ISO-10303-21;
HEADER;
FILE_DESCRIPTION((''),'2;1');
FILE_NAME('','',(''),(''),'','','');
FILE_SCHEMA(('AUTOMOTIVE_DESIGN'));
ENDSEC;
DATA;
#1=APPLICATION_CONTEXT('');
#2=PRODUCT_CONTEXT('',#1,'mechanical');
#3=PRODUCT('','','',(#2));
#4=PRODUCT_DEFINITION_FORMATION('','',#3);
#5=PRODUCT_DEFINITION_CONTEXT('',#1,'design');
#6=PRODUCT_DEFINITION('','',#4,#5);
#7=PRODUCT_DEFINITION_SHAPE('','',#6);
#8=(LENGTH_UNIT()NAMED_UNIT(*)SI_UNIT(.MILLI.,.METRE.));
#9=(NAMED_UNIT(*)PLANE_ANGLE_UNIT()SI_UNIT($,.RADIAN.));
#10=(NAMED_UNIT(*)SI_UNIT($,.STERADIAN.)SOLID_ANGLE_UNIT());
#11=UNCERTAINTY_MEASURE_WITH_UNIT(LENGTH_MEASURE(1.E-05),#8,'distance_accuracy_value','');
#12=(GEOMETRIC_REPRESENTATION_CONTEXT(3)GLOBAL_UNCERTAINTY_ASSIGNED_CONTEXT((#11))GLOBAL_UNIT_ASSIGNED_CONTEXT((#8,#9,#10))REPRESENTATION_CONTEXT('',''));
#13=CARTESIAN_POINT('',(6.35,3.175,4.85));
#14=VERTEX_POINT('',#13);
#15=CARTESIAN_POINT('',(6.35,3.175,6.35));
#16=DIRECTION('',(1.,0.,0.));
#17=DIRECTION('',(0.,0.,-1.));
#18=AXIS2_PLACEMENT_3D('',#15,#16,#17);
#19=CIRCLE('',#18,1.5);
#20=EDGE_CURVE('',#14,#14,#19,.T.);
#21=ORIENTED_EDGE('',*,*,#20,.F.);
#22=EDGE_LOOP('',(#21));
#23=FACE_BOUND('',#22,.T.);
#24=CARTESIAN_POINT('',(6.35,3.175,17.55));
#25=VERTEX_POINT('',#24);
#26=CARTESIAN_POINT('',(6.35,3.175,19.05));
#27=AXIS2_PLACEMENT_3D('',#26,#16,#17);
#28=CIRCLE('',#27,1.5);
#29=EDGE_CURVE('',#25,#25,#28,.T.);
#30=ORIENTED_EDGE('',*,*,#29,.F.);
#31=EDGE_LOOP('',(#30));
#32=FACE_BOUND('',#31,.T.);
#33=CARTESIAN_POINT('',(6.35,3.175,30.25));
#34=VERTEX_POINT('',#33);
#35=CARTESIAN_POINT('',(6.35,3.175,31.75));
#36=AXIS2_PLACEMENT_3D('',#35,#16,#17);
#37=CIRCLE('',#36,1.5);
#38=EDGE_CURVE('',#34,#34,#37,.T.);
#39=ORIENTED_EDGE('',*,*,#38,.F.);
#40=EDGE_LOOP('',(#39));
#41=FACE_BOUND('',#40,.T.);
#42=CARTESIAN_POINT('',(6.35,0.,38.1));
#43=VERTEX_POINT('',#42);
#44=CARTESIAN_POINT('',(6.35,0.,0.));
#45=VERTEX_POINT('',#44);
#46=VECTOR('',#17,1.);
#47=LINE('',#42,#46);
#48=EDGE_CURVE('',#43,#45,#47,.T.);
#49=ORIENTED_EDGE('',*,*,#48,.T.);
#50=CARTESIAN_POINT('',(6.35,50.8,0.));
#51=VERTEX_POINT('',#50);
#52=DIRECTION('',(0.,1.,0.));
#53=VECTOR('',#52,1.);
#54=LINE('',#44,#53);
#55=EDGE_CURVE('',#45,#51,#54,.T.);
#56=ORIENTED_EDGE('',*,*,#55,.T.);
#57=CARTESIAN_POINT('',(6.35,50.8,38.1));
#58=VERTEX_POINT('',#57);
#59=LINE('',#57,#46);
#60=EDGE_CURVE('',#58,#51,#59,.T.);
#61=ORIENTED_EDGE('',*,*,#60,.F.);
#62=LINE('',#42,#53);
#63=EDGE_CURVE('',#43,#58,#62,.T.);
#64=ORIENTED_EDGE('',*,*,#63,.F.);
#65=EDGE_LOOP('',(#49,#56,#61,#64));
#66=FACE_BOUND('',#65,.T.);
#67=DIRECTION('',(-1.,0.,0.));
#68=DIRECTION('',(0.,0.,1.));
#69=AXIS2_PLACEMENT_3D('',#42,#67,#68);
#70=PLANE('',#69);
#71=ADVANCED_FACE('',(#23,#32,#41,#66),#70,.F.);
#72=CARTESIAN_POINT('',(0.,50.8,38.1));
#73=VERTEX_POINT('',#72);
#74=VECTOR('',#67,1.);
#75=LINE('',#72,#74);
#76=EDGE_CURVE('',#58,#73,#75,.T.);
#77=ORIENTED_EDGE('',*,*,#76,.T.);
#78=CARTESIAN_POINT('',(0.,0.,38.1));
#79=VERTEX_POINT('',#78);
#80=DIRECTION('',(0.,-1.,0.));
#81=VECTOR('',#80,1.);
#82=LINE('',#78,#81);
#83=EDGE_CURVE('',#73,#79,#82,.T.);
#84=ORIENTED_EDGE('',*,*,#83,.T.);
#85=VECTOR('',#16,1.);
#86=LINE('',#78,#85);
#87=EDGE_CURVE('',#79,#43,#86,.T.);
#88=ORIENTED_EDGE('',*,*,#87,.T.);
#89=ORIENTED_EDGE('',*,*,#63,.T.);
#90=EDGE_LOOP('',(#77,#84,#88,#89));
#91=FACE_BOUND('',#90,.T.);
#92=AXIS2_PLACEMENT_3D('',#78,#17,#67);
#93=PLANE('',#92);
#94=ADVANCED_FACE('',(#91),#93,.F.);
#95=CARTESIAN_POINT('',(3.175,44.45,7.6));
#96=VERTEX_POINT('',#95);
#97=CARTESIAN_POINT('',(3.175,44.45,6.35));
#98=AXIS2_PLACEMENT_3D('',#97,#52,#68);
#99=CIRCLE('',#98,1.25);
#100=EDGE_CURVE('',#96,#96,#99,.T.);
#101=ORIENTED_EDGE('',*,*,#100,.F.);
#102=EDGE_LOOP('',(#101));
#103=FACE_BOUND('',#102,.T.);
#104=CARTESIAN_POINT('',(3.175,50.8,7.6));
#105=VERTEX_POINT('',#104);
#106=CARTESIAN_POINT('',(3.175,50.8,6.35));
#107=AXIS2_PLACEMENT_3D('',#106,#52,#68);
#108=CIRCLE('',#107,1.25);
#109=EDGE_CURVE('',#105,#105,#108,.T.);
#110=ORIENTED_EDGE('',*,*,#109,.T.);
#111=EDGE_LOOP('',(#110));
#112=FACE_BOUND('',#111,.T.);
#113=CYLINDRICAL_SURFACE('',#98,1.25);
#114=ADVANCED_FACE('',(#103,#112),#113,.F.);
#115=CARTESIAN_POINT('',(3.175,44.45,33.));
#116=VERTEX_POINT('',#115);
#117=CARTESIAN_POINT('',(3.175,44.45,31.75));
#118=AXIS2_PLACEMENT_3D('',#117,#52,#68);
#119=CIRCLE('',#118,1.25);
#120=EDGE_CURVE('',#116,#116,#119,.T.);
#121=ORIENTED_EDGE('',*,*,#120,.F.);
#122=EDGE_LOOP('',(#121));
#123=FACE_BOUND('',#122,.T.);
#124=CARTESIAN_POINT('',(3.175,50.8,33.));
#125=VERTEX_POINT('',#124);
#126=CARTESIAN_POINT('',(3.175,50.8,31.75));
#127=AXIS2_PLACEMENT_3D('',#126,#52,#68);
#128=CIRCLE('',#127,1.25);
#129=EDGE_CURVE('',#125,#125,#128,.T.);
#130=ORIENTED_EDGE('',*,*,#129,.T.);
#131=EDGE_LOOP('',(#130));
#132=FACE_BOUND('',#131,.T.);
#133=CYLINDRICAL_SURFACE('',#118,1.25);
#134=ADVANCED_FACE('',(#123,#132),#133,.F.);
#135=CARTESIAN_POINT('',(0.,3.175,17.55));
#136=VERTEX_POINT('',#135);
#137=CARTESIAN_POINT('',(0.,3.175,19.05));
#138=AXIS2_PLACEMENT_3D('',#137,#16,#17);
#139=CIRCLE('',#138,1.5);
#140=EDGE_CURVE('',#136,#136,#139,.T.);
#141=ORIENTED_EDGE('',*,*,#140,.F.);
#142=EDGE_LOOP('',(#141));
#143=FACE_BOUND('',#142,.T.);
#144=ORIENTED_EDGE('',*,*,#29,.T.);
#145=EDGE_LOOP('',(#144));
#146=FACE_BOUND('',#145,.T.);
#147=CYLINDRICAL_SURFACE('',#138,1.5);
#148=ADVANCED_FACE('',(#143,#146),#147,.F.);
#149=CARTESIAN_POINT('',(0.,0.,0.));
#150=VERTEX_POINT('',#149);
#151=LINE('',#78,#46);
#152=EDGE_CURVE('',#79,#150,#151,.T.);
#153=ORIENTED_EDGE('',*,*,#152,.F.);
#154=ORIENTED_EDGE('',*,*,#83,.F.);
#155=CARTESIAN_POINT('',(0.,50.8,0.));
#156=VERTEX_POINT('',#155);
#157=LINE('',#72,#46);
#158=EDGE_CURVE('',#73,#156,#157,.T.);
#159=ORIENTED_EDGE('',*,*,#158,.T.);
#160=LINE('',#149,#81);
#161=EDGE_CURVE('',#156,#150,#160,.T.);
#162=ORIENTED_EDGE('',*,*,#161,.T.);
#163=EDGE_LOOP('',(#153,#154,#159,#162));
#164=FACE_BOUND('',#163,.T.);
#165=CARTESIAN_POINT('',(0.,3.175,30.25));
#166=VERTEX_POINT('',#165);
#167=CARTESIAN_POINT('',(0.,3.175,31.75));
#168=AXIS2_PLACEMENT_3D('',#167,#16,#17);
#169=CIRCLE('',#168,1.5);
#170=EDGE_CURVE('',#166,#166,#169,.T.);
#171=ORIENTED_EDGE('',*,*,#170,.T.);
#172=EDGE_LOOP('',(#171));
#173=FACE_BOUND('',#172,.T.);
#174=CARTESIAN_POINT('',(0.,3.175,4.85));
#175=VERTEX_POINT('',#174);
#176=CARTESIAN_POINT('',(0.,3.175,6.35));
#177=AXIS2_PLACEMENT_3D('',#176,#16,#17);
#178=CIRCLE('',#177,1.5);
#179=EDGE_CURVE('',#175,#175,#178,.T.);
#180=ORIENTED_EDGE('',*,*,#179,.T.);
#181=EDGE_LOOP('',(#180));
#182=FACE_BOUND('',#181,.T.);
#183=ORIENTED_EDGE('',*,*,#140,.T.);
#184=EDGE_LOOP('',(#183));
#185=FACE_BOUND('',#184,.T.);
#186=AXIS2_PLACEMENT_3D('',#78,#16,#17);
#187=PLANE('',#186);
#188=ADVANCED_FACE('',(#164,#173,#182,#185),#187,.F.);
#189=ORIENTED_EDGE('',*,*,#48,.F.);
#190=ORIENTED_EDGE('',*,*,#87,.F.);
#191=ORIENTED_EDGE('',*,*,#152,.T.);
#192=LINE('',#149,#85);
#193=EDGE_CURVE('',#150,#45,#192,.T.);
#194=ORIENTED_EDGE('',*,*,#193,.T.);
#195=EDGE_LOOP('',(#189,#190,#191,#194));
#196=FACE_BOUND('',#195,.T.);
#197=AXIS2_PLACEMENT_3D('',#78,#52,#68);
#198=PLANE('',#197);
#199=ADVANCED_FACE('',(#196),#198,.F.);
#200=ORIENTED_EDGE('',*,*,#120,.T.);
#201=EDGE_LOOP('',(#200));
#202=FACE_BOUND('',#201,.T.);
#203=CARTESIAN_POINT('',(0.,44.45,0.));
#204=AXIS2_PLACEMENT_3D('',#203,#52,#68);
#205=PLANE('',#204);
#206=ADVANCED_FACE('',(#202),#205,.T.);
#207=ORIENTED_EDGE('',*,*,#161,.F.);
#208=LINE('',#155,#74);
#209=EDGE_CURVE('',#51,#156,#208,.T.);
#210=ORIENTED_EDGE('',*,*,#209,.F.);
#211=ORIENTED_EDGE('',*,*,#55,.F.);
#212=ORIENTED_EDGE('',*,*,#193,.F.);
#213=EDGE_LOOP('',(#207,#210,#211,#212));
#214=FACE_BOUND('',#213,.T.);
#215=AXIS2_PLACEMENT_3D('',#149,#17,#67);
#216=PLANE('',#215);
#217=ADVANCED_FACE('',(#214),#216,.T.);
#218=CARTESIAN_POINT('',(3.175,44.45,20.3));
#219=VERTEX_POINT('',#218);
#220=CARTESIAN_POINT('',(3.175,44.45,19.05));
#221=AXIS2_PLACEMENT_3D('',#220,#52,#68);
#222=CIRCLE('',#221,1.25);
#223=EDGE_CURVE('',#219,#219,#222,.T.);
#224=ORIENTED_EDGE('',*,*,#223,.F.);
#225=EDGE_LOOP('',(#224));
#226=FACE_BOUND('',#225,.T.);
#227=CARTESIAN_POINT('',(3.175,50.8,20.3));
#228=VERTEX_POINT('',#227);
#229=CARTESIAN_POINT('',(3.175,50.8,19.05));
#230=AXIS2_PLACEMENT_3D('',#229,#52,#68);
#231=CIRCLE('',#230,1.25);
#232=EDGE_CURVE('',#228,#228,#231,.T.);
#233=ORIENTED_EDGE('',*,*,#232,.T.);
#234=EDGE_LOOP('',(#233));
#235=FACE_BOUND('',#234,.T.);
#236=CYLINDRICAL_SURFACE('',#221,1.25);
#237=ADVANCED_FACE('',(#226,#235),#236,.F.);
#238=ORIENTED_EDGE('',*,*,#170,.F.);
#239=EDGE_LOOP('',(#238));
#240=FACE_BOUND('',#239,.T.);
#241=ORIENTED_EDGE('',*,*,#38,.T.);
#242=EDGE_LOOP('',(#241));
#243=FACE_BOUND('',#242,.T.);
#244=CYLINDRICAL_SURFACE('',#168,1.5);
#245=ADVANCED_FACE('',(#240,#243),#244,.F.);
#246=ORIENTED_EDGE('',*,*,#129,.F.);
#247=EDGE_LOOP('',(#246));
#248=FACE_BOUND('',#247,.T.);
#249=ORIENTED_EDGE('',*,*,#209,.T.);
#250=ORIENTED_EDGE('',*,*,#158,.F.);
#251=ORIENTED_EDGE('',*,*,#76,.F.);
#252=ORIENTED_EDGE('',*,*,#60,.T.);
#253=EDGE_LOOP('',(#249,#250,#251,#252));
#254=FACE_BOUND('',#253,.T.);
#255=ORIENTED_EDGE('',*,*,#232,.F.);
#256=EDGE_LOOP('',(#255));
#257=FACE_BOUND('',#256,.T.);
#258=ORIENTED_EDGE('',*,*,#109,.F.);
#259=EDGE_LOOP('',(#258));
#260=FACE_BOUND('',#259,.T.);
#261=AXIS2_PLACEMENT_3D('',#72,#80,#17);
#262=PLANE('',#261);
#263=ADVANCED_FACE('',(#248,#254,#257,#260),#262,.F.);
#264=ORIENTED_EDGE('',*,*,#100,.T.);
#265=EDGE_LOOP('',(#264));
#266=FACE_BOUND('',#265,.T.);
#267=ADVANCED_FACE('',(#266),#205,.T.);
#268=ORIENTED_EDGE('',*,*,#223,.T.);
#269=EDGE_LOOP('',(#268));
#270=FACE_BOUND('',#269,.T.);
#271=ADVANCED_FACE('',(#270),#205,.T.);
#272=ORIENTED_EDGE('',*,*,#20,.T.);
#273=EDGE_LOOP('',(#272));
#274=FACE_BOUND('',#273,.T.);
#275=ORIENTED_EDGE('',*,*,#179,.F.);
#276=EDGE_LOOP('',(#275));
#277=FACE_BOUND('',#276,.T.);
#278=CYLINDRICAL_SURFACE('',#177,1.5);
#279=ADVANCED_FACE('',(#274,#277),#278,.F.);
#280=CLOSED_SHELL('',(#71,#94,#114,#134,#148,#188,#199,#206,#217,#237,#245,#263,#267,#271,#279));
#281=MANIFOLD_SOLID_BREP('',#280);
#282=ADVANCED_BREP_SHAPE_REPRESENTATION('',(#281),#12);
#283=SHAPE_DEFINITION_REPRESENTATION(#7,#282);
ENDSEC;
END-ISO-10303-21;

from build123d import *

# Parameters (mm, degrees)
SKETCH1_W           = 6.35
SKETCH1_H           = 50.8
BOSS_EXTRUDE1_DEPTH = 38.1
CUT_EXTRUDE1_DEPTH  = 6.35
CUT_EXTRUDE2_DEPTH  = 6.35


with BuildPart() as part:
    # Sketch1 → Boss-Extrude1 (new body)
    with BuildSketch(Plane.XY):
        with Locations((3.175, 25.4)):
            Rectangle(SKETCH1_W, SKETCH1_H)
    extrude(amount=BOSS_EXTRUDE1_DEPTH)

    # Sketch2 → Cut-Extrude1 (cut)
    with BuildSketch(Plane(origin=(6.35, 0, 0), x_dir=(0, 0, -1), z_dir=(1, 0, 0))):
        with BuildLine():
            ThreePointArc((-7.85, 3.175), (-6.35, 1.675), (-4.85, 3.175))
            Line((-4.85, 3.175), (-6.35, 3.175))
            Line((-6.35, 3.175), (-7.85, 3.175))
        make_face()
        with BuildLine():
            Line((-6.35, 3.175), (-4.85, 3.175))
            ThreePointArc((-4.85, 3.175), (-6.35, 4.675), (-7.85, 3.175))
            Line((-7.85, 3.175), (-6.35, 3.175))
        make_face()
        with BuildLine():
            ThreePointArc((-17.55, 3.175), (-19.05, 4.675), (-20.55, 3.175))
            Line((-20.55, 3.175), (-17.55, 3.175))
        make_face()
        with BuildLine():
            Line((-17.55, 3.175), (-20.55, 3.175))
            ThreePointArc((-20.55, 3.175), (-19.05, 1.675), (-17.55, 3.175))
        make_face()
        with BuildLine():
            ThreePointArc((-30.25, 3.175), (-31.75, 4.675), (-33.25, 3.175))
            Line((-33.25, 3.175), (-31.75, 3.175))
            Line((-31.75, 3.175), (-30.25, 3.175))
        make_face()
        with BuildLine():
            Line((-31.75, 3.175), (-33.25, 3.175))
            ThreePointArc((-33.25, 3.175), (-31.75, 1.675), (-30.25, 3.175))
            Line((-30.25, 3.175), (-31.75, 3.175))
        make_face()
    extrude(amount=-CUT_EXTRUDE1_DEPTH, mode=Mode.SUBTRACT)

    # Sketch3 → Cut-Extrude2 (cut)
    with BuildSketch(Plane(origin=(0, 50.8, 0), x_dir=(1, 0, 0), z_dir=(0, 1, 0))):
        with BuildLine():
            ThreePointArc((4.425, -6.35), (4.058883476, -5.466116524), (3.175, -5.1))
            Line((3.175, -5.1), (3.175, -6.35))
            Line((3.175, -6.35), (3.175, -7.6))
            ThreePointArc((3.175, -7.6), (4.058883476, -7.233883476), (4.425, -6.35))
        make_face()
        with BuildLine():
            Line((3.175, -6.35), (3.175, -5.1))
            ThreePointArc((3.175, -5.1), (1.925, -6.35), (3.175, -7.6))
            Line((3.175, -7.6), (3.175, -6.35))
        make_face()
        with BuildLine():
            ThreePointArc((4.425, -19.05), (4.058883476, -18.166116524), (3.175, -17.8))
            Line((3.175, -17.8), (3.175, -20.3))
            ThreePointArc((3.175, -20.3), (4.058883476, -19.933883476), (4.425, -19.05))
        make_face()
        with BuildLine():
            Line((3.175, -20.3), (3.175, -17.8))
            ThreePointArc((3.175, -17.8), (1.925, -19.05), (3.175, -20.3))
        make_face()
        with BuildLine():
            ThreePointArc((3.175, -30.5), (1.925, -31.75), (3.175, -33))
            Line((3.175, -33), (3.175, -31.75))
            Line((3.175, -31.75), (3.175, -30.5))
        make_face()
        with BuildLine():
            Line((3.175, -31.75), (3.175, -33))
            ThreePointArc((3.175, -33), (4.058883476, -32.633883476), (4.425, -31.75))
            ThreePointArc((4.425, -31.75), (4.058883476, -30.866116524), (3.175, -30.5))
            Line((3.175, -30.5), (3.175, -31.75))
        make_face()
    extrude(amount=-CUT_EXTRUDE2_DEPTH, mode=Mode.SUBTRACT)


solid = part.part
